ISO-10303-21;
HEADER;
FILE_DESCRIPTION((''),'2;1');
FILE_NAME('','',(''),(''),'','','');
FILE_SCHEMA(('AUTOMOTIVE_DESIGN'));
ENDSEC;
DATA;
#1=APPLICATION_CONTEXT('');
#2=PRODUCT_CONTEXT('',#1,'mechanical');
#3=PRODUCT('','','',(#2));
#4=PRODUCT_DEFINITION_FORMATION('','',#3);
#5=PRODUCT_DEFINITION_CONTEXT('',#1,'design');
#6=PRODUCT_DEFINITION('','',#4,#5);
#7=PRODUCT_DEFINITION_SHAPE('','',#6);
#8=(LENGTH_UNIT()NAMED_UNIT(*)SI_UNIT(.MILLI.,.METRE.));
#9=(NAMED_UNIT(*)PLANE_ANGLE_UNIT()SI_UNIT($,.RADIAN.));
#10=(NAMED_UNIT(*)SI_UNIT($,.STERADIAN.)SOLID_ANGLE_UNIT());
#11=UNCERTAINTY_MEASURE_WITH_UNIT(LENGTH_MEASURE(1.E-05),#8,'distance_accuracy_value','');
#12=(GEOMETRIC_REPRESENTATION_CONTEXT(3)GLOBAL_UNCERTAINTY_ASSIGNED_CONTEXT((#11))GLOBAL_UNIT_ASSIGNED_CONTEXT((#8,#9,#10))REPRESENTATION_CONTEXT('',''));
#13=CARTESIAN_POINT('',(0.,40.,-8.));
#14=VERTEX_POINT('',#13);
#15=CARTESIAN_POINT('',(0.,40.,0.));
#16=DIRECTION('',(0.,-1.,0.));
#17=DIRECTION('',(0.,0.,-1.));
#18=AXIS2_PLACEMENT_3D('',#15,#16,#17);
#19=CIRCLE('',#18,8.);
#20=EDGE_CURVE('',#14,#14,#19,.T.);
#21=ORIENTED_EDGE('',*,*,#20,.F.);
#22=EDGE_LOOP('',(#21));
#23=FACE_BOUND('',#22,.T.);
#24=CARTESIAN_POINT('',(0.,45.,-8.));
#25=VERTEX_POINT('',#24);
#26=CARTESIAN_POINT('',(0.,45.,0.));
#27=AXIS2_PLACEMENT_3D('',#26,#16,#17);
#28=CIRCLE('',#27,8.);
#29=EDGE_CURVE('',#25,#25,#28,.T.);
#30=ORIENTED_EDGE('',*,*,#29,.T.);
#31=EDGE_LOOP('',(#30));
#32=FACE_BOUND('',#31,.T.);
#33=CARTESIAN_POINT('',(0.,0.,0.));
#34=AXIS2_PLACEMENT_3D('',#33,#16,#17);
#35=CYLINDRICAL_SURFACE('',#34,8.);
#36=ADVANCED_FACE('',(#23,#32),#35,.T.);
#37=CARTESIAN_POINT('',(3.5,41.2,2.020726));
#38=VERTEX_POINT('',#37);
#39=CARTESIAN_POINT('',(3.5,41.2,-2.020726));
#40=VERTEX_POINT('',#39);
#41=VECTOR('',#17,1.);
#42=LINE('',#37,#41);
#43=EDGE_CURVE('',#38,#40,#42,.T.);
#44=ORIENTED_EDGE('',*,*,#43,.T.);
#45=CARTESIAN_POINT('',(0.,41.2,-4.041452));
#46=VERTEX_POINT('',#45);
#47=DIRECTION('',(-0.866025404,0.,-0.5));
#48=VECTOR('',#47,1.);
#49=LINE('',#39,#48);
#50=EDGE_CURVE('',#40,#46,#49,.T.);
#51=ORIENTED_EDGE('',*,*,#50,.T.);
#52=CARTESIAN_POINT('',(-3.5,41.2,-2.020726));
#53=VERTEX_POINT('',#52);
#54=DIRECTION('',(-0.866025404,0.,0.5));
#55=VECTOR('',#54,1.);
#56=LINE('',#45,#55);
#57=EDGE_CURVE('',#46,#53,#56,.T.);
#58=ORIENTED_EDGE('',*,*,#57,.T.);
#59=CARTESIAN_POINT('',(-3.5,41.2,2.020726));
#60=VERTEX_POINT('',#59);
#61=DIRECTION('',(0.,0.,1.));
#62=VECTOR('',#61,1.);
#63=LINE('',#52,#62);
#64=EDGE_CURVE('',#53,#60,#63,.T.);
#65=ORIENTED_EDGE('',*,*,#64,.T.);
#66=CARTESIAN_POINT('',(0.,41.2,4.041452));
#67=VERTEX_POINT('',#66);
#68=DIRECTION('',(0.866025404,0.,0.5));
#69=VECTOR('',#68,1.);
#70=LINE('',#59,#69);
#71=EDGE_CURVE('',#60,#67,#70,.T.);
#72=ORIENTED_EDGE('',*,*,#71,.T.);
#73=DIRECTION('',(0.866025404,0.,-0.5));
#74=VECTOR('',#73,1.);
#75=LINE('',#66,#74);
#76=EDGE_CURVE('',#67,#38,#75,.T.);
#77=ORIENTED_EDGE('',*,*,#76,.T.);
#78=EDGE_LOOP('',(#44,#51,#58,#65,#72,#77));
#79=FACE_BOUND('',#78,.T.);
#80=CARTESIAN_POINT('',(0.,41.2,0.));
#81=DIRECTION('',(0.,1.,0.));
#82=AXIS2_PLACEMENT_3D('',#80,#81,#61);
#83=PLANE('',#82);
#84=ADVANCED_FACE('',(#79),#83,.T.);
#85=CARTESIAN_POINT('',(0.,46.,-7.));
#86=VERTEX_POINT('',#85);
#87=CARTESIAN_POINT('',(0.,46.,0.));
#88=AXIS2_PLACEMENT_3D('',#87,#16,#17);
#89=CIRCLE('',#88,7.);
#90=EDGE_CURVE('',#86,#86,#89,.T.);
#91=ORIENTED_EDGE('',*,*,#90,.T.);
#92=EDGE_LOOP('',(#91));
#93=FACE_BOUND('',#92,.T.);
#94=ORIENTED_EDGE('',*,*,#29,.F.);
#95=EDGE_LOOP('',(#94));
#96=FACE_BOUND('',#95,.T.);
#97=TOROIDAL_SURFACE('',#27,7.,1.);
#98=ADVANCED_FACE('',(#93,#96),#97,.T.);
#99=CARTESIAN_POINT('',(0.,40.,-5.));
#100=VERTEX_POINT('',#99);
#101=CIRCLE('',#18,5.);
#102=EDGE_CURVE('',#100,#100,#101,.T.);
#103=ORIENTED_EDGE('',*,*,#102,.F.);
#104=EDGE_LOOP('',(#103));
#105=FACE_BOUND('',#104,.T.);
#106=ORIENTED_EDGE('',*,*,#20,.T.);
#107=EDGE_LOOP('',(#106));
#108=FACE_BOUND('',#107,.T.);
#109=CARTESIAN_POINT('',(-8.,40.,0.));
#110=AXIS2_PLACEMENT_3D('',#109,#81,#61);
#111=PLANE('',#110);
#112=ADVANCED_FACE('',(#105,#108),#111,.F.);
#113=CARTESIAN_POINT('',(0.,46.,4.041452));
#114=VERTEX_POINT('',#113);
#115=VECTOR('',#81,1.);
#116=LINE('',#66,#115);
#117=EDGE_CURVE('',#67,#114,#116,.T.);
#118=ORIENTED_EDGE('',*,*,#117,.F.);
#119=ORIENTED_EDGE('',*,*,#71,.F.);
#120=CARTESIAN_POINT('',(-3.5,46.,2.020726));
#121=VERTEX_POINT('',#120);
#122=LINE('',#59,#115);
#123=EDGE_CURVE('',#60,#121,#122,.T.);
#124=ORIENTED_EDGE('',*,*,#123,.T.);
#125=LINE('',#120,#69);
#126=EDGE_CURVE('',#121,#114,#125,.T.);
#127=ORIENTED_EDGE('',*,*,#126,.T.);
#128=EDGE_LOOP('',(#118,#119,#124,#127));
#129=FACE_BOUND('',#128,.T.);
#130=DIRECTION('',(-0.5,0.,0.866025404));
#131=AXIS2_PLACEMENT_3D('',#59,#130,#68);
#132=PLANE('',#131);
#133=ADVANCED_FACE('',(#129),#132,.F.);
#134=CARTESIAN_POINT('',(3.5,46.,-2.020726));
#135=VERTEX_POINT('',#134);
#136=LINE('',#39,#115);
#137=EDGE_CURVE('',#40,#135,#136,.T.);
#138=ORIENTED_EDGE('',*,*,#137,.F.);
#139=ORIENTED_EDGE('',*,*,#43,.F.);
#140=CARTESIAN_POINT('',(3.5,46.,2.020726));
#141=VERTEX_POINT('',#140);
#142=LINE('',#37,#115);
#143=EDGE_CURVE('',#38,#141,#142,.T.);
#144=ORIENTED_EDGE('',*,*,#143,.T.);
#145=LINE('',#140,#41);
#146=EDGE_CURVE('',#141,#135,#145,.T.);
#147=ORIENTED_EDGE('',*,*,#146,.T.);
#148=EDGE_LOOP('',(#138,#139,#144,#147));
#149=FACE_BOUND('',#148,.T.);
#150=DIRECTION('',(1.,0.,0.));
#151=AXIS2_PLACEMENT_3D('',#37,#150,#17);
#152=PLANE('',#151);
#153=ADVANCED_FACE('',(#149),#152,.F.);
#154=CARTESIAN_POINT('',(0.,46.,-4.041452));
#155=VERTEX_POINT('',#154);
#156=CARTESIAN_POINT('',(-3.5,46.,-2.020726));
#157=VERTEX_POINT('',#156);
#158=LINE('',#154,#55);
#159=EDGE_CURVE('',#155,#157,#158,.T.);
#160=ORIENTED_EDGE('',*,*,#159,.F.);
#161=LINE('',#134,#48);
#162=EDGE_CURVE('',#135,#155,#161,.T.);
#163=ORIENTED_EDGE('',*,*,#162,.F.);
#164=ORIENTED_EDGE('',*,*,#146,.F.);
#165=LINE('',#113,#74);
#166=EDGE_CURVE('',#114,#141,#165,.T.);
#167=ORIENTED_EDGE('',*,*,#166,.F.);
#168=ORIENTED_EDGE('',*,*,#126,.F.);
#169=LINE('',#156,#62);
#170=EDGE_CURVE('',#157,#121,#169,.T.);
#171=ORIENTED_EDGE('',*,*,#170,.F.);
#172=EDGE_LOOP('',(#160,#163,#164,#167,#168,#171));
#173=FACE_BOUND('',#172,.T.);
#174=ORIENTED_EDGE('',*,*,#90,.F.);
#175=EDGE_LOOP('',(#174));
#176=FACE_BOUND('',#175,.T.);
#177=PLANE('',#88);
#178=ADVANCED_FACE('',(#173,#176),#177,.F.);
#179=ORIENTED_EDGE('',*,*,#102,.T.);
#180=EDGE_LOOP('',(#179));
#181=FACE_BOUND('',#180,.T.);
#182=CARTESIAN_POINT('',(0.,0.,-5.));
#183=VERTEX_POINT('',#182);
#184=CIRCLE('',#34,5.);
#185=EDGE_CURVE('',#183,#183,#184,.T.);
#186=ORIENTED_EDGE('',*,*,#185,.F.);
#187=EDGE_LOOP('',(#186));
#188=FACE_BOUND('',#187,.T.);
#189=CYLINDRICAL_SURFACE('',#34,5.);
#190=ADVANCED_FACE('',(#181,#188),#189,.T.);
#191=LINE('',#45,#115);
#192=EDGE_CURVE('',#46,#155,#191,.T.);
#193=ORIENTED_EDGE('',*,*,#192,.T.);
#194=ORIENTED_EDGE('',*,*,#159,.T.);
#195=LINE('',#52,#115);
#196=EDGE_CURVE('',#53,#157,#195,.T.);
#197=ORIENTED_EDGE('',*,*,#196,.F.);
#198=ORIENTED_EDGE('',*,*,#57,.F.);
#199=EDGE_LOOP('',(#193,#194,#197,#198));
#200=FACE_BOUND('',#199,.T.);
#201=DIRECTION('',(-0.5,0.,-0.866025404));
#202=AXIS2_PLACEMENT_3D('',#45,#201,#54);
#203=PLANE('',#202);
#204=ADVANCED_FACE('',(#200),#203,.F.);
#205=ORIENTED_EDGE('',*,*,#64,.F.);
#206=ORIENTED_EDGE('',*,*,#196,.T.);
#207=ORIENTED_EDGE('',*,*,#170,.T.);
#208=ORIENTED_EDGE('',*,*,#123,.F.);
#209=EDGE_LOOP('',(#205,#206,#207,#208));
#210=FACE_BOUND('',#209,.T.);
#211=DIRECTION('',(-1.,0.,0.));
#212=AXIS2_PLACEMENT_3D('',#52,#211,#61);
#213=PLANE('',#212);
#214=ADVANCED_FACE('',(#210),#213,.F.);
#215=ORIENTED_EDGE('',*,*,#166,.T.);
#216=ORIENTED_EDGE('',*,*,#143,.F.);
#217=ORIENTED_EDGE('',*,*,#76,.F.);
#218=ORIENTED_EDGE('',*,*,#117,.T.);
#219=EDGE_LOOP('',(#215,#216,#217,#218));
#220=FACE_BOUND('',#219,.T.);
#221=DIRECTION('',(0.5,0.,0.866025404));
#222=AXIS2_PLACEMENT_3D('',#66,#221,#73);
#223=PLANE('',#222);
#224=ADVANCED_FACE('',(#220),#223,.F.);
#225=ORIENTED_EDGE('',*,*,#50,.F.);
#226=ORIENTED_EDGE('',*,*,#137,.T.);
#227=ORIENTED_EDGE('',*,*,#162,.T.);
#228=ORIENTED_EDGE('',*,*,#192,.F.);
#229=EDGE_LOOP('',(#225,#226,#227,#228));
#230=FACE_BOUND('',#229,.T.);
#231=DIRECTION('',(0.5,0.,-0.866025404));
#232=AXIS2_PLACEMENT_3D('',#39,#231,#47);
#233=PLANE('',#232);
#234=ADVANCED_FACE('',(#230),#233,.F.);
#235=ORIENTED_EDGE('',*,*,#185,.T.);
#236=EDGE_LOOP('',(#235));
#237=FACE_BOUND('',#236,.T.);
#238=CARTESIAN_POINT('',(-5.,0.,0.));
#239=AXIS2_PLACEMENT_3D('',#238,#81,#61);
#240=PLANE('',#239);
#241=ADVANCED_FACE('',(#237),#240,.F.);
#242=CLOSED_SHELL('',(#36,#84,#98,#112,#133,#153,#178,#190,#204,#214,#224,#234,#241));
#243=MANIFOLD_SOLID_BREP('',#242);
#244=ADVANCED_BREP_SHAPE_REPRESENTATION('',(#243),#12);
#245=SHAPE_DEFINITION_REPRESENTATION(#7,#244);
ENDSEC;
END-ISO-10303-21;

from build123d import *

# Parameters (mm, degrees)
CUT_EXTRUDE1_DEPTH = 4.8


with BuildPart() as part:
    # Sketch1 → Revolve1 (revolve)
    with BuildSketch(Plane.XY, mode=Mode.PRIVATE) as revolve1_sk:
        with BuildLine():
            Line((0, 46), (-7, 46))
            ThreePointArc((-7, 46), (-7.707106781, 45.707106781), (-8, 45))
            Line((-8, 45), (-8, 40))
            Line((-8, 40), (-5, 40))
            Line((-5, 40), (-5, 0))
            Line((-5, 0), (0, 0))
            Line((0, 0), (0, 46))
        make_face()
    revolve(revolve1_sk.sketch.rotate(Axis((0, 0, 0), (0, 1, 0)), 270), axis=Axis((0, 0, 0), (0, 1, 0)))

    # Sketch2 → Cut-Extrude1 (cut)
    with BuildSketch(Plane(origin=(0, 46, 0), x_dir=(1, 0, 0), z_dir=(0, 1, 0))):
        Polygon((0, 4.041451884), (-3.5, 2.020725942), (-3.5, -2.020725942), (0, -4.041451884), (3.5, -2.020725942), (3.5, 2.020725942), align=None)
    extrude(amount=-CUT_EXTRUDE1_DEPTH, mode=Mode.SUBTRACT)


solid = part.part
